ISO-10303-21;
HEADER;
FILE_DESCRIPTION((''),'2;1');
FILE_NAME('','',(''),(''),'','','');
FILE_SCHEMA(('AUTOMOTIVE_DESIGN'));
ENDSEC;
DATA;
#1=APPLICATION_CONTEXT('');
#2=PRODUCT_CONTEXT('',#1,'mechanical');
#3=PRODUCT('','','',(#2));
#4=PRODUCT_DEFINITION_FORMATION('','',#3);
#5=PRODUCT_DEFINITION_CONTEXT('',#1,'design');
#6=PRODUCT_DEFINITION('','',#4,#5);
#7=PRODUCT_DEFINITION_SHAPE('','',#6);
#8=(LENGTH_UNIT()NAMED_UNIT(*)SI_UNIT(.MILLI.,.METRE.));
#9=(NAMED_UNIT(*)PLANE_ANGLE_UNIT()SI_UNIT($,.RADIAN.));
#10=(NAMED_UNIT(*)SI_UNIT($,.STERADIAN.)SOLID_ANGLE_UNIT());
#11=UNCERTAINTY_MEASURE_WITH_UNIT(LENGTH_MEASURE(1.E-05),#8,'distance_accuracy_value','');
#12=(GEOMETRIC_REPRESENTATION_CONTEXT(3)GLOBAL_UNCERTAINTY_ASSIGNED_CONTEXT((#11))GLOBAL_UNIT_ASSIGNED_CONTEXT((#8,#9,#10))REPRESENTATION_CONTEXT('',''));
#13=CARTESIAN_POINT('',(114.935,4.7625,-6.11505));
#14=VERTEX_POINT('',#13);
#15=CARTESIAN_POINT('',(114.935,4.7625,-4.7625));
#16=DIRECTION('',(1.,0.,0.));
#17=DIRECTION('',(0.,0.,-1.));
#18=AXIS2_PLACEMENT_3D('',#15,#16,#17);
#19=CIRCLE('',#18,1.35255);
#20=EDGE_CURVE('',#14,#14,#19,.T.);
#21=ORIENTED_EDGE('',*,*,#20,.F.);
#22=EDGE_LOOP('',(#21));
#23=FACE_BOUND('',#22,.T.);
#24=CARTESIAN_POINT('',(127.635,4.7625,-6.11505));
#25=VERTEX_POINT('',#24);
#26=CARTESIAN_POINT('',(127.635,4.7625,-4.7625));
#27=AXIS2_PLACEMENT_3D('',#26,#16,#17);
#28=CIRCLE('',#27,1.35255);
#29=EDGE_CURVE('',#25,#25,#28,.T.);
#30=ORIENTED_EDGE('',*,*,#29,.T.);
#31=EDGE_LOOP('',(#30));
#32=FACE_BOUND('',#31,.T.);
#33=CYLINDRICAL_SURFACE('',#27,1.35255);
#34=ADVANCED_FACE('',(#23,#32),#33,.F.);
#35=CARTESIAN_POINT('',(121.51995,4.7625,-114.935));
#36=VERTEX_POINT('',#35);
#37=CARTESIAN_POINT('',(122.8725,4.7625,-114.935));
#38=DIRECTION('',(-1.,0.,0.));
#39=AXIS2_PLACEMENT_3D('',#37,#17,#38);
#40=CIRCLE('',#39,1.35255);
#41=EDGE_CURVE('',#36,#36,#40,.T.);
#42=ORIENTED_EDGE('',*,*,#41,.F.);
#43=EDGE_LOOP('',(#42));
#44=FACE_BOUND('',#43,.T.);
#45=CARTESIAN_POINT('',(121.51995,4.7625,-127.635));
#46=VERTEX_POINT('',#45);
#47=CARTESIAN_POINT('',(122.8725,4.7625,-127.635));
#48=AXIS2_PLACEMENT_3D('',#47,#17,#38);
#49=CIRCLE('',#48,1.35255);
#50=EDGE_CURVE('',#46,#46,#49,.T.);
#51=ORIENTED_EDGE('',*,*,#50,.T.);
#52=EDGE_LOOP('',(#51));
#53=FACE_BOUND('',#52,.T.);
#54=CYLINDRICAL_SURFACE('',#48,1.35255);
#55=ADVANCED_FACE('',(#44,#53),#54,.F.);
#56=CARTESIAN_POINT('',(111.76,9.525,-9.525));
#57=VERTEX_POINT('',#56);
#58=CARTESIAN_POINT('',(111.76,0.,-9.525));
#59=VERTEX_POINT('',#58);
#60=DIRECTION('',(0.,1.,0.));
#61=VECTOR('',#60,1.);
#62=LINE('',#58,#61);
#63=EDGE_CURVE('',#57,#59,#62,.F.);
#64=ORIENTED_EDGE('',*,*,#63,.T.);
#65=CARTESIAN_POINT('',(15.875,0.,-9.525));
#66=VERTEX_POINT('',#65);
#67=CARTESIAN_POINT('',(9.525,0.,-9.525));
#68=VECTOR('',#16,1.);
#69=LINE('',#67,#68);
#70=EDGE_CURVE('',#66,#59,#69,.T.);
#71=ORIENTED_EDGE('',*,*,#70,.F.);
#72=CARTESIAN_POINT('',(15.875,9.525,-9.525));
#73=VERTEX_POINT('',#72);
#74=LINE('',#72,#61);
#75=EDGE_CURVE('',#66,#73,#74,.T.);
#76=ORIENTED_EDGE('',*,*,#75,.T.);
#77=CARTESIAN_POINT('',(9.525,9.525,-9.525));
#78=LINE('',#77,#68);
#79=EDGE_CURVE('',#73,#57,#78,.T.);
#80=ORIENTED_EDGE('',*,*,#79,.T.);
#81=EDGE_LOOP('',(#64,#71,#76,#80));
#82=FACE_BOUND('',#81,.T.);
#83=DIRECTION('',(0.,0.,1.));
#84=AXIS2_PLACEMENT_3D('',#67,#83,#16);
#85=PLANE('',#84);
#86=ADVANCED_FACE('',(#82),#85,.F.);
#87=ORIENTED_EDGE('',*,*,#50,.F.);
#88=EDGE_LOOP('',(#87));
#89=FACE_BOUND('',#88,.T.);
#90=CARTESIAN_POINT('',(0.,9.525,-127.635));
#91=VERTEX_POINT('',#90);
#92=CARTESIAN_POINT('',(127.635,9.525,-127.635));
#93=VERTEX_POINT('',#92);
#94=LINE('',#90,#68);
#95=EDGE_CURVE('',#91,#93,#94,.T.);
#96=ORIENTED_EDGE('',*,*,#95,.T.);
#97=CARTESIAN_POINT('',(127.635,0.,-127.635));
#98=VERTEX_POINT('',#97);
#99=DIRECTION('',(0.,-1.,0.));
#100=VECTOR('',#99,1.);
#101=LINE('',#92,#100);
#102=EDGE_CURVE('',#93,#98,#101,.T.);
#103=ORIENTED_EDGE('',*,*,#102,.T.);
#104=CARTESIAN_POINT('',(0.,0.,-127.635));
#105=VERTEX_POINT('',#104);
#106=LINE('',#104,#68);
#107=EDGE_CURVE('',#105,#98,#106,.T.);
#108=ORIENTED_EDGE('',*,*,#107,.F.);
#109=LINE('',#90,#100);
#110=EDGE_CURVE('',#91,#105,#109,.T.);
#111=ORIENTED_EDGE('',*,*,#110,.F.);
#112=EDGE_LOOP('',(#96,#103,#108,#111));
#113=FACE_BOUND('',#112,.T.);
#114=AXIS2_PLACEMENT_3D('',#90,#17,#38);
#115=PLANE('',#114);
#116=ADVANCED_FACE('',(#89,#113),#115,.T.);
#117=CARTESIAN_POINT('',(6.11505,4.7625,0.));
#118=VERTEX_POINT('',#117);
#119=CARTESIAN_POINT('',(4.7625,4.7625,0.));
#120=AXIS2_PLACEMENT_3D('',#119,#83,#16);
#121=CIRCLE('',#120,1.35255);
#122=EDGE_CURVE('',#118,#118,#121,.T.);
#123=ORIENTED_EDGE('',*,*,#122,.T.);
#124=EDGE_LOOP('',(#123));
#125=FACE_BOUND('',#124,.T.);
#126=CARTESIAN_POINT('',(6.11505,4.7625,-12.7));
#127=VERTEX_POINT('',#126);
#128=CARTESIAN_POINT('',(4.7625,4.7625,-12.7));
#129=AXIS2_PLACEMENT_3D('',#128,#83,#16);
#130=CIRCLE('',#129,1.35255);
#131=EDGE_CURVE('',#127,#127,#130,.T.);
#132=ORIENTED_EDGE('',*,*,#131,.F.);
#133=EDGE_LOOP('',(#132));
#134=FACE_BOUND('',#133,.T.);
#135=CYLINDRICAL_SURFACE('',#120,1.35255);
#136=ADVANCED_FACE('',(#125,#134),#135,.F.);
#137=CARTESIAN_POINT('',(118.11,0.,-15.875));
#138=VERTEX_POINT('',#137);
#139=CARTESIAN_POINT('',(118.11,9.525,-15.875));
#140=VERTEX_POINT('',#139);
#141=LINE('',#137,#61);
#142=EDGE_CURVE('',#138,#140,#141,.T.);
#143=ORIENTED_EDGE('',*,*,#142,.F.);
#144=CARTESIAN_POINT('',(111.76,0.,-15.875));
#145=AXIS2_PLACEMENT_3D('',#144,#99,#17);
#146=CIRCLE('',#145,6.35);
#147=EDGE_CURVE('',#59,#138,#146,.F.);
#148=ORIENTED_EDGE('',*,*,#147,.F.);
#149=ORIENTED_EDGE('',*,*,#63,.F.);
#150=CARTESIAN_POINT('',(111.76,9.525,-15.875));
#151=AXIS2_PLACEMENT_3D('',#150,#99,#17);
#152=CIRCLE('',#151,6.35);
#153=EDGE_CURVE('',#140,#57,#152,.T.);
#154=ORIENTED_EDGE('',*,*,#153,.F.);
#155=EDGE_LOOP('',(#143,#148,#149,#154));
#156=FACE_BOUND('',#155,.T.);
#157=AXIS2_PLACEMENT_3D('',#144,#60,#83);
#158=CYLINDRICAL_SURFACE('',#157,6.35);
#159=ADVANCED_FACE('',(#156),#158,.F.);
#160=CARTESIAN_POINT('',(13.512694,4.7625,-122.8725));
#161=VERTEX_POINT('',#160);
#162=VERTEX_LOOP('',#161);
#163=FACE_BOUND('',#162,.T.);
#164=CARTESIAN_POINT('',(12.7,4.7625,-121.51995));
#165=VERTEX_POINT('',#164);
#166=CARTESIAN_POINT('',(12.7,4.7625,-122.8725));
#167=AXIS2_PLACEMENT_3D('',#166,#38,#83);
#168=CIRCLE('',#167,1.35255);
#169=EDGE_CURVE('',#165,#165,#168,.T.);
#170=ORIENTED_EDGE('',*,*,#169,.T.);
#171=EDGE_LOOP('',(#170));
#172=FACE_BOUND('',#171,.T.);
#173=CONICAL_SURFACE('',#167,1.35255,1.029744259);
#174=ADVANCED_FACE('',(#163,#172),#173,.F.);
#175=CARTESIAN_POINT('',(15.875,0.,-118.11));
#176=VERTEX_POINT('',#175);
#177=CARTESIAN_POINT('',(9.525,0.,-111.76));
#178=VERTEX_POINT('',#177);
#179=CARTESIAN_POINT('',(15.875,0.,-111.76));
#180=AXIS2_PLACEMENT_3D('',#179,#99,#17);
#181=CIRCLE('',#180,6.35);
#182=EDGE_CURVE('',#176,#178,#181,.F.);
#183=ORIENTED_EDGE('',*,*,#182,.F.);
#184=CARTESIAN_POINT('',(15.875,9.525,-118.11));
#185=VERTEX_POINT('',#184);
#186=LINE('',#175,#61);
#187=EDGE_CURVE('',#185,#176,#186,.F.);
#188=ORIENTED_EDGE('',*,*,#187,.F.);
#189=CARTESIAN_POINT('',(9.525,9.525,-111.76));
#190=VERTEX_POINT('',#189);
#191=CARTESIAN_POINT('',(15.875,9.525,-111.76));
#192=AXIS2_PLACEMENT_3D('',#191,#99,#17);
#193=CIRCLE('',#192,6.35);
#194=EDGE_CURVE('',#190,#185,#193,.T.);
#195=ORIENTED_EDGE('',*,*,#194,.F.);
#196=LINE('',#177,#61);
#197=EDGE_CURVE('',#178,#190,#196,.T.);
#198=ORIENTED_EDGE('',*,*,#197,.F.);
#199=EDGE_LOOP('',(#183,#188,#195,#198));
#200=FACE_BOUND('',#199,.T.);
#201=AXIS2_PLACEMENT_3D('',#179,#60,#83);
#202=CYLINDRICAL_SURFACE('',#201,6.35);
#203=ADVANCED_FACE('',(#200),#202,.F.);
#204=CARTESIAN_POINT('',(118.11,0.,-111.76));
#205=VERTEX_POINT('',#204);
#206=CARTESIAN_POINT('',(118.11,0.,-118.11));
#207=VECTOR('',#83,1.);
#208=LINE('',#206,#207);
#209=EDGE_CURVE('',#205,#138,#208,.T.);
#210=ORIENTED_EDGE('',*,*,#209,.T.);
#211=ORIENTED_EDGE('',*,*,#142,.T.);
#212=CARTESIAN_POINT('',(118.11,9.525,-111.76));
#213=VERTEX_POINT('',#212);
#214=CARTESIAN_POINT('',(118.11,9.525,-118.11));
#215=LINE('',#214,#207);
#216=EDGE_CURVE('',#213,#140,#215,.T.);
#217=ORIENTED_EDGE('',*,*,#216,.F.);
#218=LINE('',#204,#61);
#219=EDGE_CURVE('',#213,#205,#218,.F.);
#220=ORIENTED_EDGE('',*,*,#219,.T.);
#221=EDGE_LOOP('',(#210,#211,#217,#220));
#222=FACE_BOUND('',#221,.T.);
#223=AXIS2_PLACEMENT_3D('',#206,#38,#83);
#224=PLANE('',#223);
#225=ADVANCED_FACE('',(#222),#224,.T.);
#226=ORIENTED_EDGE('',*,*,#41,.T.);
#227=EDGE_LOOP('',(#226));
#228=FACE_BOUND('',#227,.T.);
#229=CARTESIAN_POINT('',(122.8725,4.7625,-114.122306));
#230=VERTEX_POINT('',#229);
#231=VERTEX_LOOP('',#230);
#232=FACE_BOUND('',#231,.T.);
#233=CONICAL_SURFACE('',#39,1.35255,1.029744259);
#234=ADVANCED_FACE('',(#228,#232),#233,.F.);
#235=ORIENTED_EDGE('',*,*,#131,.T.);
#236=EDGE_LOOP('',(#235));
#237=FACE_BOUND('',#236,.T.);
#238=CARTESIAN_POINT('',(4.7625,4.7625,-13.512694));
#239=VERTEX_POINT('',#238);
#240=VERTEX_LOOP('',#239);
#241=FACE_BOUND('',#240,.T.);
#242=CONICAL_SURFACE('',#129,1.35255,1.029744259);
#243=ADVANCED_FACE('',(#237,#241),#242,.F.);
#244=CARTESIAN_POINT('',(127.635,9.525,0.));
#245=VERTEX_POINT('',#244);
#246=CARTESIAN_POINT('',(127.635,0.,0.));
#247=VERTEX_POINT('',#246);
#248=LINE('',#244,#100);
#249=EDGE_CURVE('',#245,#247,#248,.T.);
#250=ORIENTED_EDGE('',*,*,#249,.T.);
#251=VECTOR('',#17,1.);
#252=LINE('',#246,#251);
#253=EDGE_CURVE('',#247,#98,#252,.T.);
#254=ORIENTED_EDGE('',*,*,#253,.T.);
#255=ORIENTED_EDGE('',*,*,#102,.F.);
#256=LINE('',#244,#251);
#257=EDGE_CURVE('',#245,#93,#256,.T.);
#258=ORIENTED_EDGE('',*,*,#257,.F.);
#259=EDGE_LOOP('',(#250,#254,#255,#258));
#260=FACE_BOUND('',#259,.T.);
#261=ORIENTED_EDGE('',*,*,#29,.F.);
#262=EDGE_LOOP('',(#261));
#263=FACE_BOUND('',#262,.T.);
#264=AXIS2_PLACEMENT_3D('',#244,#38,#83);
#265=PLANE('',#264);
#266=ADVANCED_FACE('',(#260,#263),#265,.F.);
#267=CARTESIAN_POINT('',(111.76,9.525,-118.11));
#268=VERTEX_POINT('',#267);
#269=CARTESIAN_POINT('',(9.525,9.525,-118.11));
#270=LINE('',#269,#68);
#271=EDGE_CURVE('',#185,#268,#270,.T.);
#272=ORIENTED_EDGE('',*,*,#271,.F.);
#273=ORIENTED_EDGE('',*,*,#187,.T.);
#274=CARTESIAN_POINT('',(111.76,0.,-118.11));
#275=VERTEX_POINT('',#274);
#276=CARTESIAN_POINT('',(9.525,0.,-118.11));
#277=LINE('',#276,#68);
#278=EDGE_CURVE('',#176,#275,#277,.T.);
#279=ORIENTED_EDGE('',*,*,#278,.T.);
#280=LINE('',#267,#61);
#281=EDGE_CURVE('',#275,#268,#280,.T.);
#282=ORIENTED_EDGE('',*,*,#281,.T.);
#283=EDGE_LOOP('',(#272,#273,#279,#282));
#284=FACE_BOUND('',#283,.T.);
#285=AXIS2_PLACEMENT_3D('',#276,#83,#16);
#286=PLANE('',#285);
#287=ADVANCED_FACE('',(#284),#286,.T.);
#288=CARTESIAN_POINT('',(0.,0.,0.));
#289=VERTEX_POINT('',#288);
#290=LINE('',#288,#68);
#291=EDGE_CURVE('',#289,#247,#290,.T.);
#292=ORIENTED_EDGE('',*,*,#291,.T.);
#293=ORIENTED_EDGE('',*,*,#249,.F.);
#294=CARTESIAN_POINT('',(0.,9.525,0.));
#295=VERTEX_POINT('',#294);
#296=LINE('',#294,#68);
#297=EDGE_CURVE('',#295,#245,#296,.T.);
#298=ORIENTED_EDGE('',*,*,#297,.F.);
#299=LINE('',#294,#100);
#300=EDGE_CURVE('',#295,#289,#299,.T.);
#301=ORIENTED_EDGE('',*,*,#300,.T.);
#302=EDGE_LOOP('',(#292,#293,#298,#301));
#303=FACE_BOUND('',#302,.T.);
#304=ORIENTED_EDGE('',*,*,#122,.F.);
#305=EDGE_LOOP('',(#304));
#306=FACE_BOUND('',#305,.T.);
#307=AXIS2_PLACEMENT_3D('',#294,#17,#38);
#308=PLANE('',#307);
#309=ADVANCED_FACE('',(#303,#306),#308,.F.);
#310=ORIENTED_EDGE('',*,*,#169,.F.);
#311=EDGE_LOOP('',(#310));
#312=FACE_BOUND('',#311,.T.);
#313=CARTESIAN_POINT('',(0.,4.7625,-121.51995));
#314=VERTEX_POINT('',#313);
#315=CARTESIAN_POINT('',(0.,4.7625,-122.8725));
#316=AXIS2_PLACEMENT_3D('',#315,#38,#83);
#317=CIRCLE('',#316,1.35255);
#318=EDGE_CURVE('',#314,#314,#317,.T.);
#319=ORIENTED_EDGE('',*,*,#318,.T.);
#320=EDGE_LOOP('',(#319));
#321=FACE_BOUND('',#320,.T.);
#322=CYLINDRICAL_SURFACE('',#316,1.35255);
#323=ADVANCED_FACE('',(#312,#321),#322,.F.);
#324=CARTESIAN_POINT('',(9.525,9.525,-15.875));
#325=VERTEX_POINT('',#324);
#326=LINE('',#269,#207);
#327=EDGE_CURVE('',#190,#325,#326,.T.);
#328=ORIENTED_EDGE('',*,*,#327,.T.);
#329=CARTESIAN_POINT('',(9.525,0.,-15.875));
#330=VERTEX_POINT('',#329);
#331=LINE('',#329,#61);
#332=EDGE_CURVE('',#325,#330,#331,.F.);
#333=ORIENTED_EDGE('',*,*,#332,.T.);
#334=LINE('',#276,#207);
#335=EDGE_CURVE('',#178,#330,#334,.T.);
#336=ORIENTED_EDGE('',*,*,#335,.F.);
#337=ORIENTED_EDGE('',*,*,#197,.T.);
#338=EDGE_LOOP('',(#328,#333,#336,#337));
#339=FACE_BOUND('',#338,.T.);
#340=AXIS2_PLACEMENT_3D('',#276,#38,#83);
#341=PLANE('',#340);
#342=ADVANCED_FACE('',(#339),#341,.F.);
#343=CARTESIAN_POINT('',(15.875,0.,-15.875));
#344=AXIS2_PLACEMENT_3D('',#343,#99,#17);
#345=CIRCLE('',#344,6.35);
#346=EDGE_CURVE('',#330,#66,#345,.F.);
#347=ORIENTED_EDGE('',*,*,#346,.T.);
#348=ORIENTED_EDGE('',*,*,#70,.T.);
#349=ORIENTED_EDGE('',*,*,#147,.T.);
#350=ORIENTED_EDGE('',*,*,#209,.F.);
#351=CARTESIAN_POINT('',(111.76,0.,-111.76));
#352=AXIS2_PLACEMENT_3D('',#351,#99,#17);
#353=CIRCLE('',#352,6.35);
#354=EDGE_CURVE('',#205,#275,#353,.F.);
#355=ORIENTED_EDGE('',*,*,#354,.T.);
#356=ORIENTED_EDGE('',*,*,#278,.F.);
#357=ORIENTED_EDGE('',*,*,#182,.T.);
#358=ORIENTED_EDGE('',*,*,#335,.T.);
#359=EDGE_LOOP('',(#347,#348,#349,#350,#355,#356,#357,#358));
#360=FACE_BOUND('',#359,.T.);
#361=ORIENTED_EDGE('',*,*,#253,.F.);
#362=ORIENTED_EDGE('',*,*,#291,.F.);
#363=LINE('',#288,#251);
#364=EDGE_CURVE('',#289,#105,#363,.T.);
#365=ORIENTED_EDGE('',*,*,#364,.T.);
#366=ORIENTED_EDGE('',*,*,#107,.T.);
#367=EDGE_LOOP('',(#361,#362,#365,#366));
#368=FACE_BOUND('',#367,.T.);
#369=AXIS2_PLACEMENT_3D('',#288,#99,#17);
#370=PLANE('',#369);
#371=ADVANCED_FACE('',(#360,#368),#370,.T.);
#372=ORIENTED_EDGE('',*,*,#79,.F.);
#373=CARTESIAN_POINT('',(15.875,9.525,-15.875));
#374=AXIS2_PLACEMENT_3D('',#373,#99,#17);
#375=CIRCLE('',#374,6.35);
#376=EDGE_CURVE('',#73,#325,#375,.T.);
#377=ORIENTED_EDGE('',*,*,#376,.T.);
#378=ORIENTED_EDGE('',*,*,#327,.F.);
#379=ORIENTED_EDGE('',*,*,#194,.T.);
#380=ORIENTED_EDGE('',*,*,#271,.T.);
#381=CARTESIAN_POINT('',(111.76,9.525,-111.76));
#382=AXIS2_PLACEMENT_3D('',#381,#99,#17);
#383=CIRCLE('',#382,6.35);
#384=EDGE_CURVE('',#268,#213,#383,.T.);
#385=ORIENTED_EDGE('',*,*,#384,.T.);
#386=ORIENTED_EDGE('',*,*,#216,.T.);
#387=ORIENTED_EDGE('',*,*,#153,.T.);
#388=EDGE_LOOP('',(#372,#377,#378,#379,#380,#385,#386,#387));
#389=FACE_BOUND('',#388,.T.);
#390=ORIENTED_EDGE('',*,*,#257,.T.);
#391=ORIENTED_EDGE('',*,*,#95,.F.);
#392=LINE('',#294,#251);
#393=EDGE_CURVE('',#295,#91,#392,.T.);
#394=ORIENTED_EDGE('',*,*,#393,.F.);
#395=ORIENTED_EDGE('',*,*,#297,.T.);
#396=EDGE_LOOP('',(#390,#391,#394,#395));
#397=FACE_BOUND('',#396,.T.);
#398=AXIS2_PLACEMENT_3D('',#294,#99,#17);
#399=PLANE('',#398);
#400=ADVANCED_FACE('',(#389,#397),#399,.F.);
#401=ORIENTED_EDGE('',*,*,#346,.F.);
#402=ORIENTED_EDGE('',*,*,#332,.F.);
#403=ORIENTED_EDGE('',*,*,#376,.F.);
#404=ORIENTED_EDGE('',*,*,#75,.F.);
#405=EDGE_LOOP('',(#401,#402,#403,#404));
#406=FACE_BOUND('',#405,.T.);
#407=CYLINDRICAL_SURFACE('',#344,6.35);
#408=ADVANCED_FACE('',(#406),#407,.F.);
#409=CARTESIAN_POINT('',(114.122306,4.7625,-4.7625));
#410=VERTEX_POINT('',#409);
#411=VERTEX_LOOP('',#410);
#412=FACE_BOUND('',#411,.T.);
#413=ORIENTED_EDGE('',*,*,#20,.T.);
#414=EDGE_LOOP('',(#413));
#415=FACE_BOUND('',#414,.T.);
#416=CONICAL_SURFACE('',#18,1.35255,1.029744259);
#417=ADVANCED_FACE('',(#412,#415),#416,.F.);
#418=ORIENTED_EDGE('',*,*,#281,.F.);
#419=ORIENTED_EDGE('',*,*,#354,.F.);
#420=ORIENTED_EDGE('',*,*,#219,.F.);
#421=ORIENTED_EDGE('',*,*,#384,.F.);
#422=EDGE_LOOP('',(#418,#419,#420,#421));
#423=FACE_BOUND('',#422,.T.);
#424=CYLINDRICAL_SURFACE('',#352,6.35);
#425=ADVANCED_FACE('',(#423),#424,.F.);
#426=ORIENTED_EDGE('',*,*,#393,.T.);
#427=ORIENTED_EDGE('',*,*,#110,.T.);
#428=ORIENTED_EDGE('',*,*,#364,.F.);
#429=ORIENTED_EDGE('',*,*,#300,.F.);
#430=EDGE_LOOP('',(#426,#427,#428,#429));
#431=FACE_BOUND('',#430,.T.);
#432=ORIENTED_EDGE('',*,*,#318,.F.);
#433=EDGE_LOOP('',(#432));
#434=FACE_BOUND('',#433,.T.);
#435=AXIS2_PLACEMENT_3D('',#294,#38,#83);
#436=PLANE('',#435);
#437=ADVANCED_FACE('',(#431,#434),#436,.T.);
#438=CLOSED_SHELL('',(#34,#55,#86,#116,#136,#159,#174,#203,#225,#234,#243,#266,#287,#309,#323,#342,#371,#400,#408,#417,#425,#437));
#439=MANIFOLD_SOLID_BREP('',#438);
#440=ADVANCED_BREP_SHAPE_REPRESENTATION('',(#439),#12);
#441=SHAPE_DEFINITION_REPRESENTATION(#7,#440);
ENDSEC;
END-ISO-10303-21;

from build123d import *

# Parameters (mm, degrees)
SKETCH1_W                     = 127.635
SKETCH1_H                     = 127.635
BOSS_EXTRUDE1_DEPTH           = 9.525
SKETCH5_W                     = 108.585
SKETCH5_H                     = 108.585
CUT_EXTRUDE1_DEPTH            = 9.525
FILLET1_R                     = 6.35
TAP_DRILL_FOR_6_32_TAP2_D     = 2.7051
TAP_DRILL_FOR_6_32_TAP2_DEPTH = 12.7
TAP_DRILL_FOR_6_32_TAP2_TIP   = 0.81269403
TAP_DRILL_FOR_6_32_TAP3_D     = 2.7051
TAP_DRILL_FOR_6_32_TAP3_DEPTH = 12.7
TAP_DRILL_FOR_6_32_TAP3_TIP   = 0.81269403
TAP_DRILL_FOR_6_32_TAP4_D     = 2.7051
TAP_DRILL_FOR_6_32_TAP4_DEPTH = 12.7
TAP_DRILL_FOR_6_32_TAP4_TIP   = 0.81269403
TAP_DRILL_FOR_6_32_TAP5_D     = 2.7051
TAP_DRILL_FOR_6_32_TAP5_DEPTH = 12.7
TAP_DRILL_FOR_6_32_TAP5_TIP   = 0.81269403


with BuildPart() as part:
    # Sketch1 → Boss-Extrude1 (new body)
    with BuildSketch(Plane(origin=(0, 0, 0), x_dir=(1, 0, 0), z_dir=(0, 1, 0))):
        with Locations((63.8175, 63.8175)):
            Rectangle(SKETCH1_W, SKETCH1_H)
    extrude(amount=BOSS_EXTRUDE1_DEPTH)

    # Sketch5 → Cut-Extrude1 (cut)
    with BuildSketch(Plane(origin=(0, 9.525, 0), x_dir=(1, 0, 0), z_dir=(0, 1, 0))):
        with Locations((63.8175, 63.8175)):
            Rectangle(SKETCH5_W, SKETCH5_H)
    extrude(amount=-CUT_EXTRUDE1_DEPTH, mode=Mode.SUBTRACT)

    # Fillet1
    fillet1_edges = [part.edges().sort_by_distance(p)[0] for p in [
        (118.11, 4.7625, -9.525),
        (9.525, 4.7625, -9.525),
        (9.525, 4.7625, -118.11),
        (118.11, 4.7625, -118.11),
    ]]
    fillet(fillet1_edges, radius=FILLET1_R)

    # Tap Drill for #6-32 Tap2
    with Locations(Plane(origin=(127.635, 0, 0), x_dir=(0, 0, -1), z_dir=(1, 0, 0))):
        with Locations((4.7625, 4.7625)):
            Hole(TAP_DRILL_FOR_6_32_TAP2_D / 2, depth=TAP_DRILL_FOR_6_32_TAP2_DEPTH)
            with Locations((0, 0, -(TAP_DRILL_FOR_6_32_TAP2_DEPTH + TAP_DRILL_FOR_6_32_TAP2_TIP / 2))):  # 118° drill point
                Cone(0, TAP_DRILL_FOR_6_32_TAP2_D / 2, TAP_DRILL_FOR_6_32_TAP2_TIP, mode=Mode.SUBTRACT)

    # Tap Drill for #6-32 Tap3
    with Locations(Plane.XY):
        with Locations((4.7625, 4.7625)):
            Hole(TAP_DRILL_FOR_6_32_TAP3_D / 2, depth=TAP_DRILL_FOR_6_32_TAP3_DEPTH)
            with Locations((0, 0, -(TAP_DRILL_FOR_6_32_TAP3_DEPTH + TAP_DRILL_FOR_6_32_TAP3_TIP / 2))):  # 118° drill point
                Cone(0, TAP_DRILL_FOR_6_32_TAP3_D / 2, TAP_DRILL_FOR_6_32_TAP3_TIP, mode=Mode.SUBTRACT)

    # Tap Drill for #6-32 Tap4
    with Locations(Plane.ZY):
        with Locations((-122.8725, 4.7625)):
            Hole(TAP_DRILL_FOR_6_32_TAP4_D / 2, depth=TAP_DRILL_FOR_6_32_TAP4_DEPTH)
            with Locations((0, 0, -(TAP_DRILL_FOR_6_32_TAP4_DEPTH + TAP_DRILL_FOR_6_32_TAP4_TIP / 2))):  # 118° drill point
                Cone(0, TAP_DRILL_FOR_6_32_TAP4_D / 2, TAP_DRILL_FOR_6_32_TAP4_TIP, mode=Mode.SUBTRACT)

    # Tap Drill for #6-32 Tap5
    with Locations(Plane(origin=(0, 0, -127.635), x_dir=(-1, 0, 0), z_dir=(0, 0, -1))):
        with Locations((-122.8725, 4.7625)):
            Hole(TAP_DRILL_FOR_6_32_TAP5_D / 2, depth=TAP_DRILL_FOR_6_32_TAP5_DEPTH)
            with Locations((0, 0, -(TAP_DRILL_FOR_6_32_TAP5_DEPTH + TAP_DRILL_FOR_6_32_TAP5_TIP / 2))):  # 118° drill point
                Cone(0, TAP_DRILL_FOR_6_32_TAP5_D / 2, TAP_DRILL_FOR_6_32_TAP5_TIP, mode=Mode.SUBTRACT)


solid = part.part
